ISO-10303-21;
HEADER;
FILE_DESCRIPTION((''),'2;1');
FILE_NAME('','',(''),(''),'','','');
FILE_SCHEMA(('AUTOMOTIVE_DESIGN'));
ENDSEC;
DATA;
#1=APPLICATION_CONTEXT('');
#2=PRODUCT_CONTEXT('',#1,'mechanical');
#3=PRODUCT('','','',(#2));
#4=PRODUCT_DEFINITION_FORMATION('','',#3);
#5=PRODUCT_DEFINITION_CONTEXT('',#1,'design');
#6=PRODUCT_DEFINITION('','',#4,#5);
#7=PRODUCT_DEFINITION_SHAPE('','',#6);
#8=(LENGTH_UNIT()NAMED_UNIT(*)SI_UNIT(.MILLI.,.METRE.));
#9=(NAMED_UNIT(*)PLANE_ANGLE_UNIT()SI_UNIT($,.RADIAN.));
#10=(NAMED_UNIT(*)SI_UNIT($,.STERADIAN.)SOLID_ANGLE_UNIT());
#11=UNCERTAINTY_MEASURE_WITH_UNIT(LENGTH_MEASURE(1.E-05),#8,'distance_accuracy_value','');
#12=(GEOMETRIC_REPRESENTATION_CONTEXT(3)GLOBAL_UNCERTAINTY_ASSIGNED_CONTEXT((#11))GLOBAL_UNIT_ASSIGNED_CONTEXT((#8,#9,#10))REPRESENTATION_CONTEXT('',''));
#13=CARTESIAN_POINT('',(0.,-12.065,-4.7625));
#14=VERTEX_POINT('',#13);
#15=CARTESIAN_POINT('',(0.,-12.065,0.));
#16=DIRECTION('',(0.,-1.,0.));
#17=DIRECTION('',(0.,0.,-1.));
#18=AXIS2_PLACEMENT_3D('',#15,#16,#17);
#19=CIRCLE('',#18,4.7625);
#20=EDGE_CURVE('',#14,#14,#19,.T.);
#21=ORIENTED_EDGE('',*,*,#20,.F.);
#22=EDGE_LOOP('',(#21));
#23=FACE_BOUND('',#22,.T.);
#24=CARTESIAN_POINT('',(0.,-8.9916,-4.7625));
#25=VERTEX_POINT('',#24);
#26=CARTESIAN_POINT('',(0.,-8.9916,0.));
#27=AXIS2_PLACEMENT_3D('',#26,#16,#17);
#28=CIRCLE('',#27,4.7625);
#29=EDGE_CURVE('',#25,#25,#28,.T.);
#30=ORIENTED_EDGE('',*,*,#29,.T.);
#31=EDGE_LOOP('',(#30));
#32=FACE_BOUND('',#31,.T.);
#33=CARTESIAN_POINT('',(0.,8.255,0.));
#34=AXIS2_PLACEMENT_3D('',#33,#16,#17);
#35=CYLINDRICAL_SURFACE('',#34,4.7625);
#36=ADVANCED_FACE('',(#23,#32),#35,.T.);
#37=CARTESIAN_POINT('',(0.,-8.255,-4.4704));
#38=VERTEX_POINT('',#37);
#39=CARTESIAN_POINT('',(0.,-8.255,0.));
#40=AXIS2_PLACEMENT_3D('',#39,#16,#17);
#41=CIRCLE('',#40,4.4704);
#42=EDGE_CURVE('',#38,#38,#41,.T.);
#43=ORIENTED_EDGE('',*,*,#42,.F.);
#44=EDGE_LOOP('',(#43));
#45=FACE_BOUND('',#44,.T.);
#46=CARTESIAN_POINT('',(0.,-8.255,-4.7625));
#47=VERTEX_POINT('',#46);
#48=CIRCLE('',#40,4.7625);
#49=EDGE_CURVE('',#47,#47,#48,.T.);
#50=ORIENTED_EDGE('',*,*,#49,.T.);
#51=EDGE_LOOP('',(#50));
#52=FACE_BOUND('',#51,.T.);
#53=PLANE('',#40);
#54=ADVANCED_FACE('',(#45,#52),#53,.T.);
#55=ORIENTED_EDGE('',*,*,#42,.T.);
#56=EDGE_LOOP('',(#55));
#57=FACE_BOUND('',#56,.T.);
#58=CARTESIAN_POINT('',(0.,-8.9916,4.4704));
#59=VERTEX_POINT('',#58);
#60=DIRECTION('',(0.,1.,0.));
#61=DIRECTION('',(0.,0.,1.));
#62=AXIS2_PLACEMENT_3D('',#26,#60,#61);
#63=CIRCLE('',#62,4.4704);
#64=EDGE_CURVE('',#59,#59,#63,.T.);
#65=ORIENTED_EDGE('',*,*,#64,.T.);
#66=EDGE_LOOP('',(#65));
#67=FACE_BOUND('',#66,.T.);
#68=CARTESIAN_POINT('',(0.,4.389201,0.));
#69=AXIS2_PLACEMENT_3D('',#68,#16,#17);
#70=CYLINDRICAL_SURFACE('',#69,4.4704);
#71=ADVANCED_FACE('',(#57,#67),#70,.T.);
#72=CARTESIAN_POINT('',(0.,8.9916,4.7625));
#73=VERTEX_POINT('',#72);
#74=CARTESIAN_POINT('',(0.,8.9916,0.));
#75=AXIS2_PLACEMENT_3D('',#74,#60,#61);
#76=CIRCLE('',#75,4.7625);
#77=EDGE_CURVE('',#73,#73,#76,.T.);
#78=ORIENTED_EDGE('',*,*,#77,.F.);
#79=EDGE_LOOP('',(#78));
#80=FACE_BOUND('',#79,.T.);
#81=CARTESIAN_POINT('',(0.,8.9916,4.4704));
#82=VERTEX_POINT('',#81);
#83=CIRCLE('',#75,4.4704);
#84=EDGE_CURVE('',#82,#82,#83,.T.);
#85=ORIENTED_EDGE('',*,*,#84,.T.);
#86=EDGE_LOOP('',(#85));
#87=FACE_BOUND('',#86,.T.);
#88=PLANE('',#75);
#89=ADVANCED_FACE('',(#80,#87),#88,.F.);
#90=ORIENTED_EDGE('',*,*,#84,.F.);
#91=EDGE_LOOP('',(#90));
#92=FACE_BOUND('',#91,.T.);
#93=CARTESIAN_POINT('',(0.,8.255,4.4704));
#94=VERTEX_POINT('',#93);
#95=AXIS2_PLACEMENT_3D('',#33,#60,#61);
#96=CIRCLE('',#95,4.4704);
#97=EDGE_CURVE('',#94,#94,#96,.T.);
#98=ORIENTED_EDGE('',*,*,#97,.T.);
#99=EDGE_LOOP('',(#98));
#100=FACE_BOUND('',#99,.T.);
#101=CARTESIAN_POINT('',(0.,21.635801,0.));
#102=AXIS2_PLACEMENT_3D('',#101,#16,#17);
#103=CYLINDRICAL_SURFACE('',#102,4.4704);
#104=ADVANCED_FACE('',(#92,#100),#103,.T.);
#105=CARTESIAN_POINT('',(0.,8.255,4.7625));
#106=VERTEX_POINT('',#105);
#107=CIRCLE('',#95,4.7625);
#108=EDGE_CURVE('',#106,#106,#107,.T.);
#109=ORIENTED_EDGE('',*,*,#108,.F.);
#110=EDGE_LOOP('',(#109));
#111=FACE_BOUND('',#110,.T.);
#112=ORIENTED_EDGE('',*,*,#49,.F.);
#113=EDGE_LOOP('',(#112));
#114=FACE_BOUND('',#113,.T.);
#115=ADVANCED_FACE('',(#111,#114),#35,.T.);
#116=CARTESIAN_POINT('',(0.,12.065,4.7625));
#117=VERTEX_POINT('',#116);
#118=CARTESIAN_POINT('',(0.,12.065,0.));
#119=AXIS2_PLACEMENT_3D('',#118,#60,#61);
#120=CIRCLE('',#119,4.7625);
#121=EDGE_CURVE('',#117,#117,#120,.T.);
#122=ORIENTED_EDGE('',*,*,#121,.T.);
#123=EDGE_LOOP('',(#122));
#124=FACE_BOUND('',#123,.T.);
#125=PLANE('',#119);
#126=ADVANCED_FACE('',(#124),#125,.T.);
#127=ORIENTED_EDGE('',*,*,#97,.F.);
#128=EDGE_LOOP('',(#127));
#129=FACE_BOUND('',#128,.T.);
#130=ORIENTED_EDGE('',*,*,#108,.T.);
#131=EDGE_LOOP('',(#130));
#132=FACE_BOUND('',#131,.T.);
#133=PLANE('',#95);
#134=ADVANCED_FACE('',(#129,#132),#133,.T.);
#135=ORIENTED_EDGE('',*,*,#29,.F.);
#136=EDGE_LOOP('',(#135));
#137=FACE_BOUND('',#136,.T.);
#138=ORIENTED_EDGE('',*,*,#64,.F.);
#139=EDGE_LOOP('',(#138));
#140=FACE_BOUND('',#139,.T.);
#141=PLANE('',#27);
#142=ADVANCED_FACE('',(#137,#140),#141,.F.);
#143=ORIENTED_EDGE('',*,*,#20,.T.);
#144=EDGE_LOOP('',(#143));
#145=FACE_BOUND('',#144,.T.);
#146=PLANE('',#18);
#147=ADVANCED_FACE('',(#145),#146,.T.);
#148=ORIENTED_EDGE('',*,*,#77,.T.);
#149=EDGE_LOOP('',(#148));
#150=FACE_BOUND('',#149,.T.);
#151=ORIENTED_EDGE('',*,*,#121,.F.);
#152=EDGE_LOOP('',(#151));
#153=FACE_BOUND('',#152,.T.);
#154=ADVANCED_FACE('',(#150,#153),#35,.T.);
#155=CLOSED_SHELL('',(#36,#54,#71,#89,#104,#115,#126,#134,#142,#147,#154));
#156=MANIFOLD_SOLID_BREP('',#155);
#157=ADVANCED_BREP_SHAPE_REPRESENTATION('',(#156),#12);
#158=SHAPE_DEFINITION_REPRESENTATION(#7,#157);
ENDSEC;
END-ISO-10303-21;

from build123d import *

# Parameters (mm, degrees)
BOSS_EXTRUDE1_DEPTH      = 8.255
BOSS_EXTRUDE1_DEPTH_BACK = 8.255
SKETCH1_R                = 4.7625
SKETCH2_R                = 4.7625
BOSS_EXTRUDE2_DEPTH      = 3.81
BOSS_EXTRUDE3_START      = 3.81
SKETCH3_R                = 4.7625
BOSS_EXTRUDE3_DEPTH      = 3.81
SKETCH4_R                = 5.08
CUT_EXTRUDE1_DEPTH       = 0.7366
SKETCH5_R                = 5.08
CUT_EXTRUDE2_DEPTH       = 0.7366
SKETCH6_R                = 4.4704
BOSS_EXTRUDE4_DEPTH      = 0.7366
SKETCH7_R                = 4.4704
BOSS_EXTRUDE5_DEPTH      = 0.7366


with BuildPart() as part:
    # Sketch1 → Boss-Extrude1 (new, two sides: drawn at the far end of the back side and taken through both)
    with BuildSketch(Plane(origin=(0, 0, 0), x_dir=(1, 0, 0), z_dir=(0, 1, 0)).offset(-BOSS_EXTRUDE1_DEPTH_BACK)):
        with Locations(Location((0, 0, 0), (0, 0, 270))):
            Circle(SKETCH1_R)
    extrude(amount=BOSS_EXTRUDE1_DEPTH + BOSS_EXTRUDE1_DEPTH_BACK)

    # Sketch2 → Boss-Extrude2 (add)
    with BuildSketch(Plane(origin=(0, 8.255, 0), x_dir=(1, 0, 0), z_dir=(0, 1, 0))):
        with Locations(Location((0, 0, 0), (0, 0, 270))):
            Circle(SKETCH2_R)
    extrude(amount=BOSS_EXTRUDE2_DEPTH)

    # Sketch3 → Boss-Extrude3 (add)
    with BuildSketch(Plane(origin=(0, -8.255, 0), x_dir=(-1, 0, 0), z_dir=(0, -1, 0)).offset(BOSS_EXTRUDE3_START)):
        with Locations(Location((0, 0, 0), (0, 0, 90))):
            Circle(SKETCH3_R)
    extrude(amount=-BOSS_EXTRUDE3_DEPTH)

    # Sketch4 → Cut-Extrude1 (cut)
    with BuildSketch(Plane(origin=(0, -8.9916, 0), x_dir=(-1, 0, 0), z_dir=(0, -1, 0))):
        Circle(SKETCH4_R)
    extrude(amount=-CUT_EXTRUDE1_DEPTH, mode=Mode.SUBTRACT)


with BuildPart() as cut_extrude1_piece_1:
    # of the separate pieces the step leaves, piece 1, a body of its own (cut_extrude1_pieces)
    add(part.part.solids().sort_by_distance((0, 12.065, 4.7625))[0])

    # Sketch5 → Cut-Extrude2 (cut)
    with BuildSketch(Plane(origin=(0, 8.9916, 0), x_dir=(1, 0, 0), z_dir=(0, 1, 0))):
        Circle(SKETCH5_R)
    extrude(amount=-CUT_EXTRUDE2_DEPTH, mode=Mode.SUBTRACT)


with BuildPart() as cut_extrude1_piece_2:
    # of the separate pieces the step leaves, piece 2, a body of its own (cut_extrude1_pieces)
    add(part.part.solids().sort_by_distance((0, -12.065, -4.7625))[0])



with BuildPart() as cut_extrude2_piece_1:
    # of the separate pieces the step leaves, piece 1, a body of its own (cut_extrude2_pieces)
    add(cut_extrude1_piece_1.part.solids().sort_by_distance((0, 8.255, 4.7625))[0])


with BuildPart() as cut_extrude2_piece_2:
    # of the separate pieces the step leaves, piece 2, a body of its own (cut_extrude2_pieces)
    add(cut_extrude1_piece_1.part.solids().sort_by_distance((0, 12.065, 4.7625))[0])


with BuildPart() as cut_extrude1_piece_2_1:
    add(cut_extrude1_piece_2.part)

    add(cut_extrude2_piece_1.part)  # Boss-Extrude4 merges Cut-Extrude2 piece 1
    # Sketch6 → Boss-Extrude4 (add)
    with BuildSketch(Plane(origin=(0, -8.9916, 0), x_dir=(1, 0, 0), z_dir=(0, 1, 0))):
        with Locations(Location((0, 0, 0), (0, 0, 90))):
            Circle(SKETCH6_R)
    extrude(amount=BOSS_EXTRUDE4_DEPTH)


    add(cut_extrude2_piece_2.part)  # Boss-Extrude5 merges Cut-Extrude2 piece 2
    # Sketch7 → Boss-Extrude5 (add)
    with BuildSketch(Plane(origin=(0, 8.255, 0), x_dir=(1, 0, 0), z_dir=(0, 1, 0))):
        with Locations(Location((0, 0, 0), (0, 0, 270))):
            Circle(SKETCH7_R)
    extrude(amount=BOSS_EXTRUDE5_DEPTH)


solid = cut_extrude1_piece_2_1.part
